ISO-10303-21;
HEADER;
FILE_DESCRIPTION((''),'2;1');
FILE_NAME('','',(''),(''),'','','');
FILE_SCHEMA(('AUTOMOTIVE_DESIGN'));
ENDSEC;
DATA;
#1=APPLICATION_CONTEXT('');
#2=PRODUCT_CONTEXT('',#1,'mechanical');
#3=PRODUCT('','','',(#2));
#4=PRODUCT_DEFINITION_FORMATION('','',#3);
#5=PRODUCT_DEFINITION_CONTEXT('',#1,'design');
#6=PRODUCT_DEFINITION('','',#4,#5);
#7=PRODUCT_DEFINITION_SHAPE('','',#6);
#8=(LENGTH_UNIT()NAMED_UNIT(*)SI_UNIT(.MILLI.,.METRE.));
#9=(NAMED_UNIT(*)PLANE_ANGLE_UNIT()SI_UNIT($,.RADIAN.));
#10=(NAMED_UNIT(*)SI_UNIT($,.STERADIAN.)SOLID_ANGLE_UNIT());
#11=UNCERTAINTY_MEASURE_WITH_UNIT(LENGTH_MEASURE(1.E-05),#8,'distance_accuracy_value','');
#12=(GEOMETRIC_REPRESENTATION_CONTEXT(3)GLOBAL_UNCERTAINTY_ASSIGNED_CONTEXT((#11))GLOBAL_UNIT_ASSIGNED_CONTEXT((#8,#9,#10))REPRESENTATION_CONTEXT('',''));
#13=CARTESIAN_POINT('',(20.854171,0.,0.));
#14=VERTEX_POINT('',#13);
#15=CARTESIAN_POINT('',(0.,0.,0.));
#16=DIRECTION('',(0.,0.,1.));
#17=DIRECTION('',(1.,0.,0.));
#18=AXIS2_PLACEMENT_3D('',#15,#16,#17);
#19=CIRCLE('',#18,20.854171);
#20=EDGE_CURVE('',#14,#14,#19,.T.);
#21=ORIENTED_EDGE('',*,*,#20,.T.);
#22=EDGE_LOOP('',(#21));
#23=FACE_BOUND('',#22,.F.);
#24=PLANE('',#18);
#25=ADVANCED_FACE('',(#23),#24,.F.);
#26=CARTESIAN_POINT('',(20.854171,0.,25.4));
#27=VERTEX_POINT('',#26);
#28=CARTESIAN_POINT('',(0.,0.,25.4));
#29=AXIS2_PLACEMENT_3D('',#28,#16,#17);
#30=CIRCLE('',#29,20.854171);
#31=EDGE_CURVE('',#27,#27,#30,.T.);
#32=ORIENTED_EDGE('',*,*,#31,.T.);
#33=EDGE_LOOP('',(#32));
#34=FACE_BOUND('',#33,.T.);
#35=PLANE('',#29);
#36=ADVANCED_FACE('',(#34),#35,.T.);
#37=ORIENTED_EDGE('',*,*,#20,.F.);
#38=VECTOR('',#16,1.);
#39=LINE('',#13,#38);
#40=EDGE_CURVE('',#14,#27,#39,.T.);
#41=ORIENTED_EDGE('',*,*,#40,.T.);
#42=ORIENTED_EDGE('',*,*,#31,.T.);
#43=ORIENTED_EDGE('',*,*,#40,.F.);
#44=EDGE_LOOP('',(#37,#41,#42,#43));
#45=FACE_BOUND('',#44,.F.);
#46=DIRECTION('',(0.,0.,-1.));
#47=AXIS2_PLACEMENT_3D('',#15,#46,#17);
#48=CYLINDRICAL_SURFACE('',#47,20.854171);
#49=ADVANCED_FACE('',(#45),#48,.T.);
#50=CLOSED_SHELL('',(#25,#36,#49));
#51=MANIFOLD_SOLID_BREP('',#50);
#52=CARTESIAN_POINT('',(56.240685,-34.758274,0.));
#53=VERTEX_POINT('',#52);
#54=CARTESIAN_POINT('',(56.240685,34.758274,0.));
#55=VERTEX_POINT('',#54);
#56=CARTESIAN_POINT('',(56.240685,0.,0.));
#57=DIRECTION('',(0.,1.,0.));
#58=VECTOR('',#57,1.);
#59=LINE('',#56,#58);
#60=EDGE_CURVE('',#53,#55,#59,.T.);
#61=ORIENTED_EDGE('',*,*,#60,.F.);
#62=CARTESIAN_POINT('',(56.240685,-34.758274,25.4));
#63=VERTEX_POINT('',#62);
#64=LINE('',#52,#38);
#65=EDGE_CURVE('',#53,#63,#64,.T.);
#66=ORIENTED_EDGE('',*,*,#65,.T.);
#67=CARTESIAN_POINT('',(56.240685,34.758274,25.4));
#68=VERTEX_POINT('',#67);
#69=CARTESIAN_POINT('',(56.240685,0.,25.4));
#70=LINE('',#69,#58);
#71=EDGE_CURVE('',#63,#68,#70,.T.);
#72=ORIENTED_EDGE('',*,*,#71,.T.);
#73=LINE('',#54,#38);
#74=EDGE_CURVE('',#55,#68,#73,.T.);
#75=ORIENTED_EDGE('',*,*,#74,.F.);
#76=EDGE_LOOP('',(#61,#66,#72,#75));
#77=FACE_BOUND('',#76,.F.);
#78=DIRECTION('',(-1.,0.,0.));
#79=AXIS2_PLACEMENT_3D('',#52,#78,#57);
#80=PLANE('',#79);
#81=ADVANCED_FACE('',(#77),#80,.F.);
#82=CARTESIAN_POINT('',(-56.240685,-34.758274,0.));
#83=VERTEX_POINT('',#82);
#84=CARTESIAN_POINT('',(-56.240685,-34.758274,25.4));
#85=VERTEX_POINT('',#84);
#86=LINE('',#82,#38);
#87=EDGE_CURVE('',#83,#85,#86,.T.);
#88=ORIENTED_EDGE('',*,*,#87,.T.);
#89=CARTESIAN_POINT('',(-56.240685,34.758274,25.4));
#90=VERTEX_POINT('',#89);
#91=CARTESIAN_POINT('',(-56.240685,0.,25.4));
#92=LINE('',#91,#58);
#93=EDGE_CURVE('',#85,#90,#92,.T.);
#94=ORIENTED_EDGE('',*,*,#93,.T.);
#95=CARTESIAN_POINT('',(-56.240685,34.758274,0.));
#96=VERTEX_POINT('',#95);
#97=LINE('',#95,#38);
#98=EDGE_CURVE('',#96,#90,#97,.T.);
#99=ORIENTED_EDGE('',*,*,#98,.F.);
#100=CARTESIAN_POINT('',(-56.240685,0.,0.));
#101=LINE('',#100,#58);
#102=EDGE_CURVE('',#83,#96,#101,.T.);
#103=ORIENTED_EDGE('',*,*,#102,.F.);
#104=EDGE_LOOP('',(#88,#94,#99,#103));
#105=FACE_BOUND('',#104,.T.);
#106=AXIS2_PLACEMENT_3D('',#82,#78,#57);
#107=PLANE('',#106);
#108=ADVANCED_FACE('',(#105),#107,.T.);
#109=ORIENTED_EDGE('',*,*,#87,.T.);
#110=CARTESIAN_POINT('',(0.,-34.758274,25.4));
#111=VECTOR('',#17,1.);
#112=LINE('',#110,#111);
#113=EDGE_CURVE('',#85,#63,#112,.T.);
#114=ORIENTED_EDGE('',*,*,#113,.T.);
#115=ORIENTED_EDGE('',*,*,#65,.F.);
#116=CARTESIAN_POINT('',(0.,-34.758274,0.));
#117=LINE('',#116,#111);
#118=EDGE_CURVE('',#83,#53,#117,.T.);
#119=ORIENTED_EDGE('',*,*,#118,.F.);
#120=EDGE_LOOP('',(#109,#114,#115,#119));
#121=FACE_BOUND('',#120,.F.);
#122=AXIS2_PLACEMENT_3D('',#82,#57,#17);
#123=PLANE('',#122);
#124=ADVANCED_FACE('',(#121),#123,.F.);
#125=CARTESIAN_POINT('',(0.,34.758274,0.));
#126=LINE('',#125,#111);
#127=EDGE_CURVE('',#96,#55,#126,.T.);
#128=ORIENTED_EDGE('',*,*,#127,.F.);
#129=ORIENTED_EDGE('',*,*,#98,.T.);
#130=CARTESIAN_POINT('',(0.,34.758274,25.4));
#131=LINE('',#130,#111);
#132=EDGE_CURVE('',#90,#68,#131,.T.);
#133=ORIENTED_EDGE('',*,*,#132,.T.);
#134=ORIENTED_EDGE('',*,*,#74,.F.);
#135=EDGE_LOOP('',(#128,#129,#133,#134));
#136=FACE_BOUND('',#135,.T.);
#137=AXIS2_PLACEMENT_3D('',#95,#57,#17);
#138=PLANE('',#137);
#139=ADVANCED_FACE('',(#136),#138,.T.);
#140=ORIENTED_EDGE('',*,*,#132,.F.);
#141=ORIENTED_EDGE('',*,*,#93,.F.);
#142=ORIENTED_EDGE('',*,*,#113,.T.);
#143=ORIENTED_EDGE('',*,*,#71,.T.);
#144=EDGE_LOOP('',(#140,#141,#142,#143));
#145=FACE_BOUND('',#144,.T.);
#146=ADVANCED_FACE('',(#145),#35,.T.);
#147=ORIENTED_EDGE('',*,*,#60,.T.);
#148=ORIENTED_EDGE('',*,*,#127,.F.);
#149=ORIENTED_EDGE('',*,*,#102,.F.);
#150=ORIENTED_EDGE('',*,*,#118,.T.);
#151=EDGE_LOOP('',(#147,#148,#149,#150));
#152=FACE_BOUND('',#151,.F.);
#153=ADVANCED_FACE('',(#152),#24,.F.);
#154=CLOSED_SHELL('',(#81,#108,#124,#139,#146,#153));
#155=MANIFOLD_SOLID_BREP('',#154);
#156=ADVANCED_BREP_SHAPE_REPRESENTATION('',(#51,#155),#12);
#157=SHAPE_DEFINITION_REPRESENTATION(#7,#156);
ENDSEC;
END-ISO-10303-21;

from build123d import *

# Parameters (mm, degrees)
F0_W     = 112.4813705683
F0_H     = 69.5165470243
F2_DEPTH = 25.4
F1_R     = 20.8541710189


with BuildPart() as f2:
    # F0 (on Top) → F2 (new body)
    with BuildSketch(Plane.XY):
        Rectangle(F0_W, F0_H)
    extrude(amount=F2_DEPTH)


with BuildPart() as f2b:
    # F1 (on Top) → F2, piece 2 (new body)
    with BuildSketch(Plane.XY):
        Circle(F1_R)
    extrude(amount=F2_DEPTH)


solid = Compound([f2.part, f2b.part])
